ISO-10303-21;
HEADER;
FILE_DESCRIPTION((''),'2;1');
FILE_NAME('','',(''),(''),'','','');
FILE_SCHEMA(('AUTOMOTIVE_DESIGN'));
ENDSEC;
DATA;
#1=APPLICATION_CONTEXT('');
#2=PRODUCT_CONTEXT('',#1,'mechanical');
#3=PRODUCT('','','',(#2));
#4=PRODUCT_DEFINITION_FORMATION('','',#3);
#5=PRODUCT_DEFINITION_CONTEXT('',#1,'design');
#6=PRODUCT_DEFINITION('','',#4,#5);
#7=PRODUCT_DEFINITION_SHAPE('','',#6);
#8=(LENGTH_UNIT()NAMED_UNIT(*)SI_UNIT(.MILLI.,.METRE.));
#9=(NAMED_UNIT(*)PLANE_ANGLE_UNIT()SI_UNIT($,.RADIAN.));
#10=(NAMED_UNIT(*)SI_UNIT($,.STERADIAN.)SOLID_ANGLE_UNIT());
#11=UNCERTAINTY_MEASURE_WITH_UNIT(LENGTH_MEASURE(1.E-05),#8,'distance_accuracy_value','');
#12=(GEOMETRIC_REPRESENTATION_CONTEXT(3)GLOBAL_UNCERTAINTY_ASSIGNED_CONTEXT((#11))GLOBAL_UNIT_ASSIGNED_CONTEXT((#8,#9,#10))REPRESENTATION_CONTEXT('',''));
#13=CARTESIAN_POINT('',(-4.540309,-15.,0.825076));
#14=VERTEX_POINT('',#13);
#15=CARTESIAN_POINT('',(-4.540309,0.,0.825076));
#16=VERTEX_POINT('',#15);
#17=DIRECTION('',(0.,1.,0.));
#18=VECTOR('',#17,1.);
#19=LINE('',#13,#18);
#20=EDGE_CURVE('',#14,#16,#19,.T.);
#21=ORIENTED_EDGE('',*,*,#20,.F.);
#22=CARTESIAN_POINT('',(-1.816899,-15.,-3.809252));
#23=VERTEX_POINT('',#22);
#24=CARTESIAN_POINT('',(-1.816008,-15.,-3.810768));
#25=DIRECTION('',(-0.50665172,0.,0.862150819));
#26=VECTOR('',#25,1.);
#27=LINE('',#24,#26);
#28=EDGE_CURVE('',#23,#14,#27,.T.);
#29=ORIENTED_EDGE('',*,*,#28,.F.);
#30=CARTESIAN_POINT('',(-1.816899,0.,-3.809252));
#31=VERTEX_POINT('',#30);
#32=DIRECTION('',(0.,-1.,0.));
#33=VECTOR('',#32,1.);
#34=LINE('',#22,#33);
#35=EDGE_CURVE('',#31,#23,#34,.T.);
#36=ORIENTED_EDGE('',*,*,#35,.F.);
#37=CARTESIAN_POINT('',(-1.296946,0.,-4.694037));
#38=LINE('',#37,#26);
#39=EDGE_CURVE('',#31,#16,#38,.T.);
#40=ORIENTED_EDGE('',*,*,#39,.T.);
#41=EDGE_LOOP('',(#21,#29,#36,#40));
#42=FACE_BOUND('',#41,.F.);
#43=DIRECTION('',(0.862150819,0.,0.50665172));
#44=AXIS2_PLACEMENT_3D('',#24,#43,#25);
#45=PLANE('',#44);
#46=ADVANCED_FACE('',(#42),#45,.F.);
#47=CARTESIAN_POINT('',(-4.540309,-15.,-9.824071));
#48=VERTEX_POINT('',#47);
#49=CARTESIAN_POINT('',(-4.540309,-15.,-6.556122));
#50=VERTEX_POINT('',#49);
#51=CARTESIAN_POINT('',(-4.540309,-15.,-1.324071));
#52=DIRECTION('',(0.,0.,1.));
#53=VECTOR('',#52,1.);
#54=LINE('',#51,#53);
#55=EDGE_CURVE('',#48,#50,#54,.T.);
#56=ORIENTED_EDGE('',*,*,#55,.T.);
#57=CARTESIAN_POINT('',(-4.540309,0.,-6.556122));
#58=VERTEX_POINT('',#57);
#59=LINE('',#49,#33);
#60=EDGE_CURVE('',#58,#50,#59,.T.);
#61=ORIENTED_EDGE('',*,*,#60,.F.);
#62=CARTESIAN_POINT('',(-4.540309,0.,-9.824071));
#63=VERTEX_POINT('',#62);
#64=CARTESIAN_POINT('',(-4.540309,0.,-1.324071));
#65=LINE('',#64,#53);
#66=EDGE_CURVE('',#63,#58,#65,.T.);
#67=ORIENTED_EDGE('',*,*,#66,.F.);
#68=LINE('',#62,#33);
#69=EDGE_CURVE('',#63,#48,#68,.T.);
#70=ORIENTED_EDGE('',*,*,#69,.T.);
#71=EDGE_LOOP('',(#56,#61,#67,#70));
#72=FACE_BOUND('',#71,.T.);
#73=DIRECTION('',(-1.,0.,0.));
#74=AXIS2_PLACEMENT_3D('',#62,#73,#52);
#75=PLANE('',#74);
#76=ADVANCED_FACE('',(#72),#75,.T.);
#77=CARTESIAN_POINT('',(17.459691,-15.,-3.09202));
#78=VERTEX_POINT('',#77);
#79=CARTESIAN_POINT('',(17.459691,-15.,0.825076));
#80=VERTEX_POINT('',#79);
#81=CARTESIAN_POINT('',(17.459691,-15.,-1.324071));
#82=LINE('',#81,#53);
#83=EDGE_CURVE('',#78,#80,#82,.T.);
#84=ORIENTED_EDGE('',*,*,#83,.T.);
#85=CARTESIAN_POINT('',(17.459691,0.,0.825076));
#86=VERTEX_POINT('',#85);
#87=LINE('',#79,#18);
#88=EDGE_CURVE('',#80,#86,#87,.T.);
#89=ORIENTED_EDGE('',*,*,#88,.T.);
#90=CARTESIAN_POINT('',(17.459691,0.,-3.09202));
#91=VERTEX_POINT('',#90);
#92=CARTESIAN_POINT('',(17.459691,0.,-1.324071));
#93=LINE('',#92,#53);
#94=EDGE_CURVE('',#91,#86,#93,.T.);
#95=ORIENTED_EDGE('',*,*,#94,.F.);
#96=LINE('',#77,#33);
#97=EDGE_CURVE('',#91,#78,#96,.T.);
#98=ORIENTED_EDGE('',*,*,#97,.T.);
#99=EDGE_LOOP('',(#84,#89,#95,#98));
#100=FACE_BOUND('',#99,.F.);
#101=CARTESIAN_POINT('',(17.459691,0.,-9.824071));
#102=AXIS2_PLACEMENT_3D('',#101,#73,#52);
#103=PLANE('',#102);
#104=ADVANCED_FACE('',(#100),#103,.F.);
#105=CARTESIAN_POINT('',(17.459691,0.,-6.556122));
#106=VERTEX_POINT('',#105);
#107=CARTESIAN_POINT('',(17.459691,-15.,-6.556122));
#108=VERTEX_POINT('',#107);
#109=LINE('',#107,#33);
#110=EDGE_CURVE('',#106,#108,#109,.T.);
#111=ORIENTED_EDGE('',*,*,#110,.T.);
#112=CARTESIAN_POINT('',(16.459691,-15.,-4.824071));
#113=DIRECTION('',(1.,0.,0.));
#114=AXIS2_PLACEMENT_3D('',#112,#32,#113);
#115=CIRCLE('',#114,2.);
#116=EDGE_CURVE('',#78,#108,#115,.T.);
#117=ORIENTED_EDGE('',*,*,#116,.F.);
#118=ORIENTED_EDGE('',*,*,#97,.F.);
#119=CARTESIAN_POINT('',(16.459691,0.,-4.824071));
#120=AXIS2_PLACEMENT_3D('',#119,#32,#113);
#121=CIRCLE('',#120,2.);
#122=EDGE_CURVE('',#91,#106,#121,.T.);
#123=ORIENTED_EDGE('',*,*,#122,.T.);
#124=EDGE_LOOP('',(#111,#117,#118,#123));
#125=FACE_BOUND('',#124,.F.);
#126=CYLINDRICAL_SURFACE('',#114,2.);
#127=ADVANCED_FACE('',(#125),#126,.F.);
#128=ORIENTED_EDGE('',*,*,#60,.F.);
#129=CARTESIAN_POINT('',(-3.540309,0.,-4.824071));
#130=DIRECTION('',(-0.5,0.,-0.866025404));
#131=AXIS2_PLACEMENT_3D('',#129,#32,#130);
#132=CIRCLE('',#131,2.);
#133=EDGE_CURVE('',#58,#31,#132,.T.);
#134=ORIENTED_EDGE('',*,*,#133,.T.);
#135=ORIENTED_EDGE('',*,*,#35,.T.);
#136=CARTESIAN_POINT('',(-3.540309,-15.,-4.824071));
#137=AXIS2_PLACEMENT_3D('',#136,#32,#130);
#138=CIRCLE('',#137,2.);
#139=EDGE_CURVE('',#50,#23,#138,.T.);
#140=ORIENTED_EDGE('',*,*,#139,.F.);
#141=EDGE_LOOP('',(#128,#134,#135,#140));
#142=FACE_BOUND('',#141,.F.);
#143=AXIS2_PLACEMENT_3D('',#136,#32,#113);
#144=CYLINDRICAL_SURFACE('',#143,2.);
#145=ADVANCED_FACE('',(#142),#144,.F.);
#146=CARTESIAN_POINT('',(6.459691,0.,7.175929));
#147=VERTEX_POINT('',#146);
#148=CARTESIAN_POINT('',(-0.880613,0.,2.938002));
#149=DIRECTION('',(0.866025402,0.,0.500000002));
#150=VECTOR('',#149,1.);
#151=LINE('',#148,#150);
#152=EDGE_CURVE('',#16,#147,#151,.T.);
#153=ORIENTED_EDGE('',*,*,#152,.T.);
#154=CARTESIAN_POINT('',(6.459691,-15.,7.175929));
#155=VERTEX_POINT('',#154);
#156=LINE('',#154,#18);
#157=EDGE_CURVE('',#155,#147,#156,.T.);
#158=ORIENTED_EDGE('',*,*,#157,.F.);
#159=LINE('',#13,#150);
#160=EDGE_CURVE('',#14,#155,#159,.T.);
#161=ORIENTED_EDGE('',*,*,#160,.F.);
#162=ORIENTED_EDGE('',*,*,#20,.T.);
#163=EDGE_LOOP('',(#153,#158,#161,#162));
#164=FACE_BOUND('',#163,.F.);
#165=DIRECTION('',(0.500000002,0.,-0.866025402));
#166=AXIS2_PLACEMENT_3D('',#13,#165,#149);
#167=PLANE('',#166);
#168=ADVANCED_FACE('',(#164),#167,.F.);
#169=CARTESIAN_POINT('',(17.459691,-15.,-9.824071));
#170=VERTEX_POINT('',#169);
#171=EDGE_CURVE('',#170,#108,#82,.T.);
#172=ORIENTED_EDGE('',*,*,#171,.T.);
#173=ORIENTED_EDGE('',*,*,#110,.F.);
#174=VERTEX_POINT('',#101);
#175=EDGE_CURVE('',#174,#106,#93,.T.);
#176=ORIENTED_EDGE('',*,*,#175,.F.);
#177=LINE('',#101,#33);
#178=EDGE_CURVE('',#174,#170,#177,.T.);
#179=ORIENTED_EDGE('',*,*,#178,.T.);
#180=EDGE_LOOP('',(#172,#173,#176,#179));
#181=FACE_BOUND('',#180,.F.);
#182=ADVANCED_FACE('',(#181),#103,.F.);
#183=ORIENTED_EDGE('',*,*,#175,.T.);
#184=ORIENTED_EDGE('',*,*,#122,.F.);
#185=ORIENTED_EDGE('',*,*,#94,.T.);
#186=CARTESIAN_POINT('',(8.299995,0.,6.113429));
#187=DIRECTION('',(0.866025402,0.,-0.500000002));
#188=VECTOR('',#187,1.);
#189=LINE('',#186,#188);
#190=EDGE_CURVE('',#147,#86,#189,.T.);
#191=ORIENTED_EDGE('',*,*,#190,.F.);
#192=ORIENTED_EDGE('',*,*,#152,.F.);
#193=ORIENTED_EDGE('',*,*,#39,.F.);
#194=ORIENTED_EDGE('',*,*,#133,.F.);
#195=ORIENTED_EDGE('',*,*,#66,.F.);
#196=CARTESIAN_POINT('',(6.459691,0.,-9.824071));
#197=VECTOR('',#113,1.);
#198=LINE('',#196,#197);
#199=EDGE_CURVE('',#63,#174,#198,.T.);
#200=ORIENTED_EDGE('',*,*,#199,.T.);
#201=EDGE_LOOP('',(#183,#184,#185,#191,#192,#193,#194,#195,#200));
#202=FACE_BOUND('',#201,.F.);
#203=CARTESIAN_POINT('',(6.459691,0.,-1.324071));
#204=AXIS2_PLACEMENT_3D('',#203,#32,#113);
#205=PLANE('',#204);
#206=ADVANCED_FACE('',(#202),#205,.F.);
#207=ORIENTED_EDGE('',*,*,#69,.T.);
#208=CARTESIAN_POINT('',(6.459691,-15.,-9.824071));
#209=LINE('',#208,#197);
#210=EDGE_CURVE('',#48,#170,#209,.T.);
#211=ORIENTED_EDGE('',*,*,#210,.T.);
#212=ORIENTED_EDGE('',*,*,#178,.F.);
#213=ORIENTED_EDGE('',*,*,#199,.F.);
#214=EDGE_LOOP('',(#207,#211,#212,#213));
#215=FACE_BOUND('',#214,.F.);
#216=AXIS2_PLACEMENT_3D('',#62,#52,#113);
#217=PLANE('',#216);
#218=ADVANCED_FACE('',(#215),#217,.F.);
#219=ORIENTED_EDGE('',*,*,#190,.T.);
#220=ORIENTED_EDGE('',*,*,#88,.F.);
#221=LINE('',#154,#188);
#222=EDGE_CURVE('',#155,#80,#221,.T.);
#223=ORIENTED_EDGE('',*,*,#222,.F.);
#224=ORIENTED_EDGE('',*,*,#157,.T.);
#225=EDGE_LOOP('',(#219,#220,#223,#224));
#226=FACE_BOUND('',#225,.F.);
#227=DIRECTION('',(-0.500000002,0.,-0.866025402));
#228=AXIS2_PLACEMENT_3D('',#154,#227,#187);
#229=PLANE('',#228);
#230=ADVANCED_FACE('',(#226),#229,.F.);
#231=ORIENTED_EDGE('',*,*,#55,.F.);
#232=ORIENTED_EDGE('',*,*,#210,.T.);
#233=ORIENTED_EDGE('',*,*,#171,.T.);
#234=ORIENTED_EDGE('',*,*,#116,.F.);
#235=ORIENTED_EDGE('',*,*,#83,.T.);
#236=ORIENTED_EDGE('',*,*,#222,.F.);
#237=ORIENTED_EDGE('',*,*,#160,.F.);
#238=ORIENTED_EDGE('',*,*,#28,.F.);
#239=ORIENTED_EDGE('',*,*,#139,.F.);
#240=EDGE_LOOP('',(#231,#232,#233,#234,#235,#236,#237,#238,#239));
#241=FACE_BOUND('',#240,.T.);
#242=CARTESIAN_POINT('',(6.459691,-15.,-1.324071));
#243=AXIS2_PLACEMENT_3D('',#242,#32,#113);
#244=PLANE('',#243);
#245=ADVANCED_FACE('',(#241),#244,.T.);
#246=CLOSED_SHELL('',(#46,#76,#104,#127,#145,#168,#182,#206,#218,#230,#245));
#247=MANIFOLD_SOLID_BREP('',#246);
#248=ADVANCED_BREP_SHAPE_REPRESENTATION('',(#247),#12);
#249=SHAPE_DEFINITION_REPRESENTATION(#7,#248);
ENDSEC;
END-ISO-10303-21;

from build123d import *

# Parameters (mm, degrees)
F0_W     = 22
F0_H     = 17
F1_DEPTH = 15
F2_R     = 2
F3_DEPTH = 33.7
F5_DEPTH = 25
F7_DEPTH = 25


with BuildPart() as f1:
    # F0 (on Front) → F1 (new body)
    with BuildSketch(Plane.XZ):
        with Locations((6.459691, -1.324071)):
            Rectangle(F0_W, F0_H)
    extrude(amount=F1_DEPTH)

    # F2 (on face) → F3 (cut)
    with BuildSketch(Plane.XZ.offset(15)):
        with Locations((16.459691, -4.824071)):
            Circle(F2_R)
        with Locations((-3.540309, -4.824071)):
            Circle(F2_R)
    extrude(amount=-F3_DEPTH, mode=Mode.SUBTRACT)

    # F4 (on face) → F5 (cut)
    with BuildSketch(Plane.XZ.offset(15)):
        Polygon((-4.540309, 0.825076), (6.459691, 7.175929), (-4.540309, 7.175929), align=None)
        Polygon((17.459691, 7.175929), (6.459691, 7.175929), (17.459691, 0.825076), align=None)
    extrude(amount=-F5_DEPTH, mode=Mode.SUBTRACT)

    # F6 (on face) → F7 (cut)
    with BuildSketch(Plane.XZ.offset(15)):
        with BuildLine():
            Line((-1.816008, -3.810768), (-4.540309, 0.825076))
            Line((-4.540309, 0.825076), (-4.540309, -3.092021))
            ThreePointArc((-4.540309, -3.092021), (-3.030111, -2.890242), (-1.816008, -3.810768))
        make_face()
    extrude(amount=-F7_DEPTH, mode=Mode.SUBTRACT)


solid = f1.part
